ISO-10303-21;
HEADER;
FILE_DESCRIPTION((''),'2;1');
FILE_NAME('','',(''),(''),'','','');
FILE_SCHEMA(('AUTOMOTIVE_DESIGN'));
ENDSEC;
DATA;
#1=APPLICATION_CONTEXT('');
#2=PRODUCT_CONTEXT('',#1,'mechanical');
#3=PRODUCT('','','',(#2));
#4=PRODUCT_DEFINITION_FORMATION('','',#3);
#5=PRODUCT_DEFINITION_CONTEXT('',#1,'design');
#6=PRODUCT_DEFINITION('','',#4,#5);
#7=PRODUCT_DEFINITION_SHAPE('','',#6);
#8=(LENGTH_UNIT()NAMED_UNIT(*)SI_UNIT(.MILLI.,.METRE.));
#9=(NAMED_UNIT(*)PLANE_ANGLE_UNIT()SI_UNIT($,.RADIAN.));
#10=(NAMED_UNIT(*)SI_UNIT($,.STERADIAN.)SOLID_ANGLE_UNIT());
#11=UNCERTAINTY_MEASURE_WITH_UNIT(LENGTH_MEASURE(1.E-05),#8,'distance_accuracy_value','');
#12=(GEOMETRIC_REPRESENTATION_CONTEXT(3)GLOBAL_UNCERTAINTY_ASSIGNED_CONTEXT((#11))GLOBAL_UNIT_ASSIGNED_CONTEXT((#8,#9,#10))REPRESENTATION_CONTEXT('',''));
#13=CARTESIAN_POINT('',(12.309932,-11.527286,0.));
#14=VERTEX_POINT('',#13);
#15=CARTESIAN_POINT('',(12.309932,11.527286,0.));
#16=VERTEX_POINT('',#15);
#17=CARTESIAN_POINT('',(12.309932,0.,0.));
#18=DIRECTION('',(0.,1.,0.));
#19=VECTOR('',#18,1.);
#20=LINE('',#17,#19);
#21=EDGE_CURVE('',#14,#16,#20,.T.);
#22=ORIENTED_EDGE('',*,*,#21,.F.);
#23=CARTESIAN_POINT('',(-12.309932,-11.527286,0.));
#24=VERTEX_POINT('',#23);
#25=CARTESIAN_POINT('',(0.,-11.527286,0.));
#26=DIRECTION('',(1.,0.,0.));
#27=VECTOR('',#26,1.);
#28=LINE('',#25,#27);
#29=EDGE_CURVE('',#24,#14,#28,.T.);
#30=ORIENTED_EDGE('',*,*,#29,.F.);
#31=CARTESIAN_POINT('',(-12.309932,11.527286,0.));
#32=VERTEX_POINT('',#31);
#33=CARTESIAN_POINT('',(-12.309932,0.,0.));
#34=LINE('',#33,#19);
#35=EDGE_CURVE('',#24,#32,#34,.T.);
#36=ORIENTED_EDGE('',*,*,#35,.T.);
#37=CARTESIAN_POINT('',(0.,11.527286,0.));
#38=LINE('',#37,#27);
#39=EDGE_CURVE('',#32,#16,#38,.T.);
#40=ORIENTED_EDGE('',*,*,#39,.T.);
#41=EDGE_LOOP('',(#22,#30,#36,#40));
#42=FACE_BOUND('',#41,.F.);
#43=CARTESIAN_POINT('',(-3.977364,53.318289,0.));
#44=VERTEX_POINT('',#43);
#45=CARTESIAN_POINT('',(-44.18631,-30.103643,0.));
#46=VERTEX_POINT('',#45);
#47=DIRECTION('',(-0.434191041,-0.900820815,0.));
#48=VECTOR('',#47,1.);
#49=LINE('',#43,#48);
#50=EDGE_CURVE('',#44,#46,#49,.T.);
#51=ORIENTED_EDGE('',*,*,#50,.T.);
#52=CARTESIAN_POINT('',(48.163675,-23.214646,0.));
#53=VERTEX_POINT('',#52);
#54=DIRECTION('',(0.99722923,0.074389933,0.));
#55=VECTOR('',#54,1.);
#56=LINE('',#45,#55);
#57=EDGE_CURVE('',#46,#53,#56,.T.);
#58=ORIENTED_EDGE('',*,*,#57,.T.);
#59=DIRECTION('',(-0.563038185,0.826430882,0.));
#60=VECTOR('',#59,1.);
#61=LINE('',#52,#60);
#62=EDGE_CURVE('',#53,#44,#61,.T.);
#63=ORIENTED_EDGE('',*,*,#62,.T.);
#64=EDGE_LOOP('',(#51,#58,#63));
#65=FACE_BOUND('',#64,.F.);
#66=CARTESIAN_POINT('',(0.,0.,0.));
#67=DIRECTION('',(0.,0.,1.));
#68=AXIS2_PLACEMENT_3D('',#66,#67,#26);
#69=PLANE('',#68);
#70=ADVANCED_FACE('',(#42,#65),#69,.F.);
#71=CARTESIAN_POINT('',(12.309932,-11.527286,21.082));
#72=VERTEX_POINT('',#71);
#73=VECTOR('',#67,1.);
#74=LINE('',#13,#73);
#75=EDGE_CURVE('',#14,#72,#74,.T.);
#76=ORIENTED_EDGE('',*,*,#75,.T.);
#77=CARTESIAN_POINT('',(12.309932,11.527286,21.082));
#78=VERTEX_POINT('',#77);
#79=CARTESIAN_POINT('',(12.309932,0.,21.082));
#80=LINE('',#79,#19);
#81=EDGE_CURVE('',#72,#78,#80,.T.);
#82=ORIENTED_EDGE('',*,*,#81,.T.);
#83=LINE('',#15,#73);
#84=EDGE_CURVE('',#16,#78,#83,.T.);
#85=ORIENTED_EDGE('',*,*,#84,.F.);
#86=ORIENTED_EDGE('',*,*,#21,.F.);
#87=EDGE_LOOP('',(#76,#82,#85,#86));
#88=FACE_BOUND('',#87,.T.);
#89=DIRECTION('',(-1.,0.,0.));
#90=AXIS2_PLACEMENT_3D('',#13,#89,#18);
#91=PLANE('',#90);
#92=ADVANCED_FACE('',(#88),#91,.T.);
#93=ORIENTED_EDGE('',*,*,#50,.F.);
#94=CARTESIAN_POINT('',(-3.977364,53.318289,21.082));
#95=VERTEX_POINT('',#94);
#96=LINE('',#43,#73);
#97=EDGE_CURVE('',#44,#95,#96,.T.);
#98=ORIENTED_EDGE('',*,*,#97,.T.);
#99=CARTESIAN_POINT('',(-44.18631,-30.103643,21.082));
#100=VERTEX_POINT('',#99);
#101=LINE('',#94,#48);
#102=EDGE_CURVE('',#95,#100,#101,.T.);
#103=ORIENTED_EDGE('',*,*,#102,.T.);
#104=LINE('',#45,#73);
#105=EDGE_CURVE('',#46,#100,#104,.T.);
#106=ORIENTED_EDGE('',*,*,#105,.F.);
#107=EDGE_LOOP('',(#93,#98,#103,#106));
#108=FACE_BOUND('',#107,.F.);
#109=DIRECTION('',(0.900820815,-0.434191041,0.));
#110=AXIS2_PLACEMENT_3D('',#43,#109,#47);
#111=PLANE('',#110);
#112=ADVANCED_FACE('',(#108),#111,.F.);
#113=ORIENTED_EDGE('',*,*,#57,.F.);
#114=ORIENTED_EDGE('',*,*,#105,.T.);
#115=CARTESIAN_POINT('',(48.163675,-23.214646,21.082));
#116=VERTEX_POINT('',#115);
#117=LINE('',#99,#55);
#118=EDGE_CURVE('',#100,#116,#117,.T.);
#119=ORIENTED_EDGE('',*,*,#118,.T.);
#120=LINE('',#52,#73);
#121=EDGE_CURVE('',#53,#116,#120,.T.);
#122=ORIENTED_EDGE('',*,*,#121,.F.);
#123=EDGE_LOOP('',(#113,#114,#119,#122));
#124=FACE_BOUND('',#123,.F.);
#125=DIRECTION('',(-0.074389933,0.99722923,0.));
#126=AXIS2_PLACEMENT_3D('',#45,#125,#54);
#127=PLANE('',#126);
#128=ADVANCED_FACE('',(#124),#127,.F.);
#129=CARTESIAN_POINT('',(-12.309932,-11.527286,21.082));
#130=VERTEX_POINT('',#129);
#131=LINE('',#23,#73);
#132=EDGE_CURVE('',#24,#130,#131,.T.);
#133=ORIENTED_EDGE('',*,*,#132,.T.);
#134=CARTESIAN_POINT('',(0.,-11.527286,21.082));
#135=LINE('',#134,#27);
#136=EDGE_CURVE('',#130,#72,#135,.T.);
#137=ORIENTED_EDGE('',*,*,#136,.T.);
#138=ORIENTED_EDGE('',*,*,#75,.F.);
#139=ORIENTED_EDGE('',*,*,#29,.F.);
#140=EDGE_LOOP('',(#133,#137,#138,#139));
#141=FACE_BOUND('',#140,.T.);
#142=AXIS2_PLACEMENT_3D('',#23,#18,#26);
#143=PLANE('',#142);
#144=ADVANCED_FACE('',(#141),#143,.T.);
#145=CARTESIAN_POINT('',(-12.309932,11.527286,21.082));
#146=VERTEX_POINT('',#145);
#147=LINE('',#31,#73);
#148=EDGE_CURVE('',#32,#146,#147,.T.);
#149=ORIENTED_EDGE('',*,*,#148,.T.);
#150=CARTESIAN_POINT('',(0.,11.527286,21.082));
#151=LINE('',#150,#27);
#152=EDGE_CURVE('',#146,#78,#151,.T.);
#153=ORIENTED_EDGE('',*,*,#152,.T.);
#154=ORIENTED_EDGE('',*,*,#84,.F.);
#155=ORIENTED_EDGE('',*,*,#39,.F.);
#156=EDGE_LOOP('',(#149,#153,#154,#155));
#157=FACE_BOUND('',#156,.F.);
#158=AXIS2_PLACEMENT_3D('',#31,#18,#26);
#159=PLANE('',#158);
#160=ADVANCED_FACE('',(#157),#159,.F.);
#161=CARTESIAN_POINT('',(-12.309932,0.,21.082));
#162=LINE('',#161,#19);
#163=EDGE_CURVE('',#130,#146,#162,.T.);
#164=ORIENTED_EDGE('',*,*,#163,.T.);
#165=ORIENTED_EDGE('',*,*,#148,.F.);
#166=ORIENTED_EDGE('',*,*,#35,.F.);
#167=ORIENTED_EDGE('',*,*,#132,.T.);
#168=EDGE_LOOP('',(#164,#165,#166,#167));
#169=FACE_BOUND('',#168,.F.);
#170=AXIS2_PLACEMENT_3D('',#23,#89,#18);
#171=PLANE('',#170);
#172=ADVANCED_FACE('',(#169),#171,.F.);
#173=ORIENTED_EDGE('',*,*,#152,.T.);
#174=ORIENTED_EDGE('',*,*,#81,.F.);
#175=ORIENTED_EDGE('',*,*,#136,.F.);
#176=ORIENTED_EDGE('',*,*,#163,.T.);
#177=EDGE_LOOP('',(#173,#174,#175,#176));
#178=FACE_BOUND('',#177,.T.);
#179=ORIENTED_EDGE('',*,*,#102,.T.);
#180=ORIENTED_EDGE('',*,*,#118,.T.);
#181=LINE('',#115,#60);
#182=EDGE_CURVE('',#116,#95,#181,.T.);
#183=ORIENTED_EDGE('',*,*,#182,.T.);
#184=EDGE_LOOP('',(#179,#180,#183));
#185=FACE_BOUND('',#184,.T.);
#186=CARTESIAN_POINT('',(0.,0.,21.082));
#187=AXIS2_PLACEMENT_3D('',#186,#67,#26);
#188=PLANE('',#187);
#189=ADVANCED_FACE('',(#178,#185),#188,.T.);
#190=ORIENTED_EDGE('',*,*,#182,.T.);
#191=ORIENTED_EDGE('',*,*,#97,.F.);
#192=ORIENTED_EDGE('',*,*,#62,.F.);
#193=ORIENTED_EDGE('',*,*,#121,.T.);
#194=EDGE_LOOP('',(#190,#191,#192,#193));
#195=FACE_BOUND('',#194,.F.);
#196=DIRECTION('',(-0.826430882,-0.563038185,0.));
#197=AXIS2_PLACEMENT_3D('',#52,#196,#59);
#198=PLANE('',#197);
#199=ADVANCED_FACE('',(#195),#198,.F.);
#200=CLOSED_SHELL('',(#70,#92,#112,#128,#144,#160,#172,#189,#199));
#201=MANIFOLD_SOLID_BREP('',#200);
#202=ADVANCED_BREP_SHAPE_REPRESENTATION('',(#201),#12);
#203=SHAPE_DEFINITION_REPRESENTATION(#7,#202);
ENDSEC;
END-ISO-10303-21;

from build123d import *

# Parameters (mm, degrees)
F0_W     = 24.619864
F0_H     = 23.054572
F1_DEPTH = 21.082


with BuildPart() as f1:
    # F0 (on Top) → F1 (new body)
    with BuildSketch(Plane.XY):
        Polygon((-3.977364, 53.318289), (-44.18631, -30.103643), (48.163675, -23.214646), align=None)
        Rectangle(F0_W, F0_H, mode=Mode.SUBTRACT)
    extrude(amount=F1_DEPTH)


solid = f1.part
